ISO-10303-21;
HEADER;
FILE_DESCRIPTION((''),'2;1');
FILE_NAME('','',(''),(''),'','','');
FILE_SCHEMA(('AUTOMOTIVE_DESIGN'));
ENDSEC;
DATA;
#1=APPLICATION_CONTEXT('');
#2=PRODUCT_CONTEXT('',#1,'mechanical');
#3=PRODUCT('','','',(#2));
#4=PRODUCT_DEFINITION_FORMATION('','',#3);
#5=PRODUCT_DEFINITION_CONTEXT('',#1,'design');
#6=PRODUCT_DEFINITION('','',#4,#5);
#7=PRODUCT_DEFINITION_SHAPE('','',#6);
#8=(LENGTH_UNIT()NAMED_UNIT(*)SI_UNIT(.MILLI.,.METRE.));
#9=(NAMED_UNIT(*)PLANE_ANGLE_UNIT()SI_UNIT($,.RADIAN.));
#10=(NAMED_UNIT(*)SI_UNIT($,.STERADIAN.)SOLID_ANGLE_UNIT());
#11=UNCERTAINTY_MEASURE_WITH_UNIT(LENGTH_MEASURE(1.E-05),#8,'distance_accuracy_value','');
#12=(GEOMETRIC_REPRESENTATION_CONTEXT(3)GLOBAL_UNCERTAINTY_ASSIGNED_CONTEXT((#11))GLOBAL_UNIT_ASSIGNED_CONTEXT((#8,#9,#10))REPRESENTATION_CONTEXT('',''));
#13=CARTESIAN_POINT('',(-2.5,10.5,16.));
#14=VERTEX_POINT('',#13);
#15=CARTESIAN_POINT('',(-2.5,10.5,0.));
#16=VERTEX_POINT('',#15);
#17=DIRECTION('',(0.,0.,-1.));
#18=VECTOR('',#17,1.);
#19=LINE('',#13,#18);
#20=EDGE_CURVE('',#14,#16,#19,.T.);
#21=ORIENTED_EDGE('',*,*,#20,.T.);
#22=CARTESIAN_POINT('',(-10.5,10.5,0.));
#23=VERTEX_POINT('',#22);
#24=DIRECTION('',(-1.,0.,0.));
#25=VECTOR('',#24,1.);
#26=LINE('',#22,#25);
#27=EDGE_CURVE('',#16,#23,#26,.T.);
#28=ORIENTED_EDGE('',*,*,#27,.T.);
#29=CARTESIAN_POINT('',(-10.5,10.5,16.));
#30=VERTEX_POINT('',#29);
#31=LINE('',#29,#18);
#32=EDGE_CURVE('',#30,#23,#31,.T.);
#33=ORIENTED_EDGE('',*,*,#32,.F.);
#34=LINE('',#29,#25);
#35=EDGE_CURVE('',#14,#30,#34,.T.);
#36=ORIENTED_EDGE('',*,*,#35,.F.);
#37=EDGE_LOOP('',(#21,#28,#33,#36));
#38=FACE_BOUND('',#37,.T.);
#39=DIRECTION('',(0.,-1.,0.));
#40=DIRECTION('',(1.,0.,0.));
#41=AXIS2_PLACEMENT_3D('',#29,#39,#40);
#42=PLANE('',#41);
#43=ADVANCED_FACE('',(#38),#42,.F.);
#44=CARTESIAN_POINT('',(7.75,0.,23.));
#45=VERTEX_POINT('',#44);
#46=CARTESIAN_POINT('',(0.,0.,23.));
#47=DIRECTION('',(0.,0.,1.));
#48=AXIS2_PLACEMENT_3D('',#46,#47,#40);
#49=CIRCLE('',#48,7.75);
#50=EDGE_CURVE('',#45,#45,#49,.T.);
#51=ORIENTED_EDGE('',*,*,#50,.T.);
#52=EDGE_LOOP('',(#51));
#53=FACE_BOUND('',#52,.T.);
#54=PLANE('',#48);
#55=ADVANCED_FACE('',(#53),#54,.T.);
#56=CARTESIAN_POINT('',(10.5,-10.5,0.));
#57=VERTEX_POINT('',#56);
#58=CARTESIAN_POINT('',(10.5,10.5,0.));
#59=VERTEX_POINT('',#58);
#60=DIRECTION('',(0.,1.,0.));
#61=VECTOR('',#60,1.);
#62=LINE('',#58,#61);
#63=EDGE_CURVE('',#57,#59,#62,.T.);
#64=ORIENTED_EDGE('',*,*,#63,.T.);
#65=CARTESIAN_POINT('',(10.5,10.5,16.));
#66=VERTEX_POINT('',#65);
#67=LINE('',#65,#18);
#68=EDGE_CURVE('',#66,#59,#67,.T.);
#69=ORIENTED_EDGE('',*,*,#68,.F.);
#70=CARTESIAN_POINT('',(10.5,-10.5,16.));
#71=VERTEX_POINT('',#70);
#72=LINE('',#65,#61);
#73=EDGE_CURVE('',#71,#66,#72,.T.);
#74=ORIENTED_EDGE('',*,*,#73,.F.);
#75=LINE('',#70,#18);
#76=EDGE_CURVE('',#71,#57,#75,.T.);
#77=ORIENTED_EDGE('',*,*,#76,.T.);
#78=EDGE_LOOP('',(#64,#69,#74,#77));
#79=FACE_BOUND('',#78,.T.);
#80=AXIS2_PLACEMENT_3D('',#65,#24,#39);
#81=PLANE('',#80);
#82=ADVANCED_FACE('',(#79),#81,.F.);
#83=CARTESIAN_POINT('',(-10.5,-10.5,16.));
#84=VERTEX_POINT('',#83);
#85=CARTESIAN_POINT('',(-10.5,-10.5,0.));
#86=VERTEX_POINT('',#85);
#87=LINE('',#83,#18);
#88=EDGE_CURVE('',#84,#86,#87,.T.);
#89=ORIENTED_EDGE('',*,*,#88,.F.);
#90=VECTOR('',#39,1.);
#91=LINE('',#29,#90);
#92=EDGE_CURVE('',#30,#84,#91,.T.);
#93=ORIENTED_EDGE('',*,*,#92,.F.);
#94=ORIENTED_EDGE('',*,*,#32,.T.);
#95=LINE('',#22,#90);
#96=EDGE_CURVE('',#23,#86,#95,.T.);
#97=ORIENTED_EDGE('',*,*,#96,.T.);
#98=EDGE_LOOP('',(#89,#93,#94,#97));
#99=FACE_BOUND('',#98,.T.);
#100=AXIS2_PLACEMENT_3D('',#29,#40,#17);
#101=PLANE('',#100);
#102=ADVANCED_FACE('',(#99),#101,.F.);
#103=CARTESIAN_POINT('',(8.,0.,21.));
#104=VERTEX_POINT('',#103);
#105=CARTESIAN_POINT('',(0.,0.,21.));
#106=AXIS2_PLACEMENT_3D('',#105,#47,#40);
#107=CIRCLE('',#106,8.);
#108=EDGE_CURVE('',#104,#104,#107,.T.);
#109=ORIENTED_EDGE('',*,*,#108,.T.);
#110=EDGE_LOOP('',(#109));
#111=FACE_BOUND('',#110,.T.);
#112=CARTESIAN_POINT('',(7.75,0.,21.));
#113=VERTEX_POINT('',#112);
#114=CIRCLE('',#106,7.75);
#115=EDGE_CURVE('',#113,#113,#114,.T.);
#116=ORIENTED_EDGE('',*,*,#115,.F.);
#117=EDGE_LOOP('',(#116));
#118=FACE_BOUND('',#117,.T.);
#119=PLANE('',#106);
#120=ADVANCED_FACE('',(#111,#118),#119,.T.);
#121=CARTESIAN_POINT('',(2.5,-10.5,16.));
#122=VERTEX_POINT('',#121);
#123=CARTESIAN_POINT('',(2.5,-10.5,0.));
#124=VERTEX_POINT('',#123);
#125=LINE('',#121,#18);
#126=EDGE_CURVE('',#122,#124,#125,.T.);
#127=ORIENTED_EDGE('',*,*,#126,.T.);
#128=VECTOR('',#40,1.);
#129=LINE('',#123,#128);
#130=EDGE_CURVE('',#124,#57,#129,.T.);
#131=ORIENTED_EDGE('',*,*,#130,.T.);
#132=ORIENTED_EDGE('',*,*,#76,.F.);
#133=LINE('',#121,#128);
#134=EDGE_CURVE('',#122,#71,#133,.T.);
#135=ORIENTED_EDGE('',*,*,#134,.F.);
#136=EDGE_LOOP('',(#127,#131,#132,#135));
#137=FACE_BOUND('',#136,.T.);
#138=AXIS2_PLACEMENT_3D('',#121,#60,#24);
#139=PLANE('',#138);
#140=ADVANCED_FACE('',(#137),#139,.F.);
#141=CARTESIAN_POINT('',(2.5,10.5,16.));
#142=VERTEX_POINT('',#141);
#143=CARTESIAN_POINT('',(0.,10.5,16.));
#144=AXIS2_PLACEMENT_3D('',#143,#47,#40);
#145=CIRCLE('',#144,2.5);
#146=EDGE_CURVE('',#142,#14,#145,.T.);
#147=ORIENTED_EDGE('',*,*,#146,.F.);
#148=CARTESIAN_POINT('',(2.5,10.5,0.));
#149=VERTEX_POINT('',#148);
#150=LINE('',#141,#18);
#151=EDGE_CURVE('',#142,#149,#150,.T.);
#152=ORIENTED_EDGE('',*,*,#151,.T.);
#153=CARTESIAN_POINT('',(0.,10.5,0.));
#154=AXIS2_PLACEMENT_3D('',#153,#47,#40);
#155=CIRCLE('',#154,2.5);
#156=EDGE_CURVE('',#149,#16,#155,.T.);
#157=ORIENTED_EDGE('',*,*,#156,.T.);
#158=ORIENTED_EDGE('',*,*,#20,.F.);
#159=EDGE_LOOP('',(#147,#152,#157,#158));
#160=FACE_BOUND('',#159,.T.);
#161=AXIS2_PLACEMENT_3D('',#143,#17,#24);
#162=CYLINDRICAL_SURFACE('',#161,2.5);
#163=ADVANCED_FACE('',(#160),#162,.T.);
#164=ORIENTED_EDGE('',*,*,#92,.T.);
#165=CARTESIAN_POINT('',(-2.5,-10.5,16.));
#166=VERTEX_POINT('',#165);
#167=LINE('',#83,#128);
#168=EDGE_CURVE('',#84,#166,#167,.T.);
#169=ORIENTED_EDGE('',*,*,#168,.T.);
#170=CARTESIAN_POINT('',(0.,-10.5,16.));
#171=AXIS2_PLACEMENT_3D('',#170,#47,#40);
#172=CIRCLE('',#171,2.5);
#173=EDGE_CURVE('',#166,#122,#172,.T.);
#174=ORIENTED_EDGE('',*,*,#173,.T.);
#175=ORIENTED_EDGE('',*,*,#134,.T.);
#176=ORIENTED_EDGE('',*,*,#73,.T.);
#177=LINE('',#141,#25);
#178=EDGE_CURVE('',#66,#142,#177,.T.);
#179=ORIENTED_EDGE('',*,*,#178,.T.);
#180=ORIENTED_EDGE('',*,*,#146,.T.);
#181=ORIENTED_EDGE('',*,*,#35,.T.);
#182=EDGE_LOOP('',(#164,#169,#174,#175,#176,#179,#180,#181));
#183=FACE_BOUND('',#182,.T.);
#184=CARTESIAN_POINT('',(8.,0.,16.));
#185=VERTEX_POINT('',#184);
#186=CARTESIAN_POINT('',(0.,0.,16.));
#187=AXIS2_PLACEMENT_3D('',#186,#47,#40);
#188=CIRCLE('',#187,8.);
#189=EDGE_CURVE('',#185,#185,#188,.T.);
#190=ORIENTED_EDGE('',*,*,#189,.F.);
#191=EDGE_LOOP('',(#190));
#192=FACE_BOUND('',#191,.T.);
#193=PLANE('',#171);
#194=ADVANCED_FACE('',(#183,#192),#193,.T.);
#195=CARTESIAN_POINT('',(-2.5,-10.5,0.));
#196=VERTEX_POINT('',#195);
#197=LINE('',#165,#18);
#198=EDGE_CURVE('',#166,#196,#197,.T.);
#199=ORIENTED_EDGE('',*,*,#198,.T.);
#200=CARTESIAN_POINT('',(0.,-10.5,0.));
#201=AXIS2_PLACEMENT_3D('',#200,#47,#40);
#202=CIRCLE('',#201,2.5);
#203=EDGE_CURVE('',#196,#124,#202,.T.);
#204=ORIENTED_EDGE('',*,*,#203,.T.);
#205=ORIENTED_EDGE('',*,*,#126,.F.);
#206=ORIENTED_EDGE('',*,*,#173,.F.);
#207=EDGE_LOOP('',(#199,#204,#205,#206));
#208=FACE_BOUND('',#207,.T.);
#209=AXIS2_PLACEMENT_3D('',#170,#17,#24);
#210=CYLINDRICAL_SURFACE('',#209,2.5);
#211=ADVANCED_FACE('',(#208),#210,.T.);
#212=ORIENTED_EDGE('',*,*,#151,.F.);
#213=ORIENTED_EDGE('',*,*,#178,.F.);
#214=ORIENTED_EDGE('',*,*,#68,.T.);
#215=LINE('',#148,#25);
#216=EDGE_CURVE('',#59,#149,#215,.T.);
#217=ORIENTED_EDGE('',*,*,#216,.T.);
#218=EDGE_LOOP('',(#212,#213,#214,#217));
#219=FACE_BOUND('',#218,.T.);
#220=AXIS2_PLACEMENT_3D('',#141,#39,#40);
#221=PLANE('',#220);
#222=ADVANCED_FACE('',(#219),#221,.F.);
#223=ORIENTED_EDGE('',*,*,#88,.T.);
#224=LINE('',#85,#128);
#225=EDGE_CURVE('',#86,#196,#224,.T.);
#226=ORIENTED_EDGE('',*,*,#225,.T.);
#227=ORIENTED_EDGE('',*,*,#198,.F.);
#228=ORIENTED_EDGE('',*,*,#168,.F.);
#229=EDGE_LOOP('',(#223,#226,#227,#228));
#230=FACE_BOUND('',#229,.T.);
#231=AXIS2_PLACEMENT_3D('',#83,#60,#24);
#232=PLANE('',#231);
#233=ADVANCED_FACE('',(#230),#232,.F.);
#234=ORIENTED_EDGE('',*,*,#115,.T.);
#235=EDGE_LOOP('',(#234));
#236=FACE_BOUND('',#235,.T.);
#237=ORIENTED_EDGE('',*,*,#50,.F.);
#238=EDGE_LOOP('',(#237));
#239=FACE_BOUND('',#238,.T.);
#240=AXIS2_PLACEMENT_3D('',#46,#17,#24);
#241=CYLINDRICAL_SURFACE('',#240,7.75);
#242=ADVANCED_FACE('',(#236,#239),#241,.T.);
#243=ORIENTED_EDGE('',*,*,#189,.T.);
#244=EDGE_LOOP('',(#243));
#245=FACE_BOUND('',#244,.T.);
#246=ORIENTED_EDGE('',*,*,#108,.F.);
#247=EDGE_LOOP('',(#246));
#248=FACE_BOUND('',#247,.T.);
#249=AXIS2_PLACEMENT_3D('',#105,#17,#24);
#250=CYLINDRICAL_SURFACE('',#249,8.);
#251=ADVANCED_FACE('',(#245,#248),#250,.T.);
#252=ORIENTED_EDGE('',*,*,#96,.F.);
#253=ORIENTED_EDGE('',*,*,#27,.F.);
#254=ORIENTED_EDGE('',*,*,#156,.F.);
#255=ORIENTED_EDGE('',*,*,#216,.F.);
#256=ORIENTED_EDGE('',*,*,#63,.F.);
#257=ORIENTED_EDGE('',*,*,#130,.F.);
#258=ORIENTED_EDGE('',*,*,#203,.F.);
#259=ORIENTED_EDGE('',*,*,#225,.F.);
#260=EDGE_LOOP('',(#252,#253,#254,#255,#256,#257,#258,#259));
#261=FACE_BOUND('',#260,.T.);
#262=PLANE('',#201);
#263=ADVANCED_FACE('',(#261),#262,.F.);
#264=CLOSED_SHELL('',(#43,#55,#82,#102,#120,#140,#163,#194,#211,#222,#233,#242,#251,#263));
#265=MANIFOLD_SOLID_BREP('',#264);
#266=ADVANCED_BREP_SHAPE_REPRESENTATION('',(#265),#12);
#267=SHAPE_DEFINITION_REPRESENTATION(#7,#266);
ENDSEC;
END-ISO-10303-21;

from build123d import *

# Parameters (mm, degrees)
EXTRUDE1_DEPTH = 16
SKETCH2_R      = 8
EXTRUDE2_DEPTH = 5
SKETCH3_R      = 7.75
EXTRUDE3_DEPTH = 2


with BuildPart() as part:
    # Sketch1 → Extrude1 (new body)
    with BuildSketch(Plane.XY):
        with BuildLine():
            Line((-10.5, 10.5), (-2.5, 10.5))
            ThreePointArc((-2.5, 10.5), (0, 13), (2.5, 10.5))
            Line((2.5, 10.5), (10.5, 10.5))
            Line((10.5, 10.5), (10.5, -10.5))
            Line((10.5, -10.5), (2.5, -10.5))
            ThreePointArc((2.5, -10.5), (0, -13), (-2.5, -10.5))
            Line((-2.5, -10.5), (-10.5, -10.5))
            Line((-10.5, -10.5), (-10.5, 10.5))
        make_face()
    extrude(amount=EXTRUDE1_DEPTH)

    # Sketch2 → Extrude2 (add)
    with BuildSketch(Plane.XY.offset(16)):
        Circle(SKETCH2_R)
    extrude(amount=EXTRUDE2_DEPTH)

    # Sketch3 → Extrude3 (add)
    with BuildSketch(Plane.XY.offset(21)):
        Circle(SKETCH3_R)
    extrude(amount=EXTRUDE3_DEPTH)


solid = part.part
